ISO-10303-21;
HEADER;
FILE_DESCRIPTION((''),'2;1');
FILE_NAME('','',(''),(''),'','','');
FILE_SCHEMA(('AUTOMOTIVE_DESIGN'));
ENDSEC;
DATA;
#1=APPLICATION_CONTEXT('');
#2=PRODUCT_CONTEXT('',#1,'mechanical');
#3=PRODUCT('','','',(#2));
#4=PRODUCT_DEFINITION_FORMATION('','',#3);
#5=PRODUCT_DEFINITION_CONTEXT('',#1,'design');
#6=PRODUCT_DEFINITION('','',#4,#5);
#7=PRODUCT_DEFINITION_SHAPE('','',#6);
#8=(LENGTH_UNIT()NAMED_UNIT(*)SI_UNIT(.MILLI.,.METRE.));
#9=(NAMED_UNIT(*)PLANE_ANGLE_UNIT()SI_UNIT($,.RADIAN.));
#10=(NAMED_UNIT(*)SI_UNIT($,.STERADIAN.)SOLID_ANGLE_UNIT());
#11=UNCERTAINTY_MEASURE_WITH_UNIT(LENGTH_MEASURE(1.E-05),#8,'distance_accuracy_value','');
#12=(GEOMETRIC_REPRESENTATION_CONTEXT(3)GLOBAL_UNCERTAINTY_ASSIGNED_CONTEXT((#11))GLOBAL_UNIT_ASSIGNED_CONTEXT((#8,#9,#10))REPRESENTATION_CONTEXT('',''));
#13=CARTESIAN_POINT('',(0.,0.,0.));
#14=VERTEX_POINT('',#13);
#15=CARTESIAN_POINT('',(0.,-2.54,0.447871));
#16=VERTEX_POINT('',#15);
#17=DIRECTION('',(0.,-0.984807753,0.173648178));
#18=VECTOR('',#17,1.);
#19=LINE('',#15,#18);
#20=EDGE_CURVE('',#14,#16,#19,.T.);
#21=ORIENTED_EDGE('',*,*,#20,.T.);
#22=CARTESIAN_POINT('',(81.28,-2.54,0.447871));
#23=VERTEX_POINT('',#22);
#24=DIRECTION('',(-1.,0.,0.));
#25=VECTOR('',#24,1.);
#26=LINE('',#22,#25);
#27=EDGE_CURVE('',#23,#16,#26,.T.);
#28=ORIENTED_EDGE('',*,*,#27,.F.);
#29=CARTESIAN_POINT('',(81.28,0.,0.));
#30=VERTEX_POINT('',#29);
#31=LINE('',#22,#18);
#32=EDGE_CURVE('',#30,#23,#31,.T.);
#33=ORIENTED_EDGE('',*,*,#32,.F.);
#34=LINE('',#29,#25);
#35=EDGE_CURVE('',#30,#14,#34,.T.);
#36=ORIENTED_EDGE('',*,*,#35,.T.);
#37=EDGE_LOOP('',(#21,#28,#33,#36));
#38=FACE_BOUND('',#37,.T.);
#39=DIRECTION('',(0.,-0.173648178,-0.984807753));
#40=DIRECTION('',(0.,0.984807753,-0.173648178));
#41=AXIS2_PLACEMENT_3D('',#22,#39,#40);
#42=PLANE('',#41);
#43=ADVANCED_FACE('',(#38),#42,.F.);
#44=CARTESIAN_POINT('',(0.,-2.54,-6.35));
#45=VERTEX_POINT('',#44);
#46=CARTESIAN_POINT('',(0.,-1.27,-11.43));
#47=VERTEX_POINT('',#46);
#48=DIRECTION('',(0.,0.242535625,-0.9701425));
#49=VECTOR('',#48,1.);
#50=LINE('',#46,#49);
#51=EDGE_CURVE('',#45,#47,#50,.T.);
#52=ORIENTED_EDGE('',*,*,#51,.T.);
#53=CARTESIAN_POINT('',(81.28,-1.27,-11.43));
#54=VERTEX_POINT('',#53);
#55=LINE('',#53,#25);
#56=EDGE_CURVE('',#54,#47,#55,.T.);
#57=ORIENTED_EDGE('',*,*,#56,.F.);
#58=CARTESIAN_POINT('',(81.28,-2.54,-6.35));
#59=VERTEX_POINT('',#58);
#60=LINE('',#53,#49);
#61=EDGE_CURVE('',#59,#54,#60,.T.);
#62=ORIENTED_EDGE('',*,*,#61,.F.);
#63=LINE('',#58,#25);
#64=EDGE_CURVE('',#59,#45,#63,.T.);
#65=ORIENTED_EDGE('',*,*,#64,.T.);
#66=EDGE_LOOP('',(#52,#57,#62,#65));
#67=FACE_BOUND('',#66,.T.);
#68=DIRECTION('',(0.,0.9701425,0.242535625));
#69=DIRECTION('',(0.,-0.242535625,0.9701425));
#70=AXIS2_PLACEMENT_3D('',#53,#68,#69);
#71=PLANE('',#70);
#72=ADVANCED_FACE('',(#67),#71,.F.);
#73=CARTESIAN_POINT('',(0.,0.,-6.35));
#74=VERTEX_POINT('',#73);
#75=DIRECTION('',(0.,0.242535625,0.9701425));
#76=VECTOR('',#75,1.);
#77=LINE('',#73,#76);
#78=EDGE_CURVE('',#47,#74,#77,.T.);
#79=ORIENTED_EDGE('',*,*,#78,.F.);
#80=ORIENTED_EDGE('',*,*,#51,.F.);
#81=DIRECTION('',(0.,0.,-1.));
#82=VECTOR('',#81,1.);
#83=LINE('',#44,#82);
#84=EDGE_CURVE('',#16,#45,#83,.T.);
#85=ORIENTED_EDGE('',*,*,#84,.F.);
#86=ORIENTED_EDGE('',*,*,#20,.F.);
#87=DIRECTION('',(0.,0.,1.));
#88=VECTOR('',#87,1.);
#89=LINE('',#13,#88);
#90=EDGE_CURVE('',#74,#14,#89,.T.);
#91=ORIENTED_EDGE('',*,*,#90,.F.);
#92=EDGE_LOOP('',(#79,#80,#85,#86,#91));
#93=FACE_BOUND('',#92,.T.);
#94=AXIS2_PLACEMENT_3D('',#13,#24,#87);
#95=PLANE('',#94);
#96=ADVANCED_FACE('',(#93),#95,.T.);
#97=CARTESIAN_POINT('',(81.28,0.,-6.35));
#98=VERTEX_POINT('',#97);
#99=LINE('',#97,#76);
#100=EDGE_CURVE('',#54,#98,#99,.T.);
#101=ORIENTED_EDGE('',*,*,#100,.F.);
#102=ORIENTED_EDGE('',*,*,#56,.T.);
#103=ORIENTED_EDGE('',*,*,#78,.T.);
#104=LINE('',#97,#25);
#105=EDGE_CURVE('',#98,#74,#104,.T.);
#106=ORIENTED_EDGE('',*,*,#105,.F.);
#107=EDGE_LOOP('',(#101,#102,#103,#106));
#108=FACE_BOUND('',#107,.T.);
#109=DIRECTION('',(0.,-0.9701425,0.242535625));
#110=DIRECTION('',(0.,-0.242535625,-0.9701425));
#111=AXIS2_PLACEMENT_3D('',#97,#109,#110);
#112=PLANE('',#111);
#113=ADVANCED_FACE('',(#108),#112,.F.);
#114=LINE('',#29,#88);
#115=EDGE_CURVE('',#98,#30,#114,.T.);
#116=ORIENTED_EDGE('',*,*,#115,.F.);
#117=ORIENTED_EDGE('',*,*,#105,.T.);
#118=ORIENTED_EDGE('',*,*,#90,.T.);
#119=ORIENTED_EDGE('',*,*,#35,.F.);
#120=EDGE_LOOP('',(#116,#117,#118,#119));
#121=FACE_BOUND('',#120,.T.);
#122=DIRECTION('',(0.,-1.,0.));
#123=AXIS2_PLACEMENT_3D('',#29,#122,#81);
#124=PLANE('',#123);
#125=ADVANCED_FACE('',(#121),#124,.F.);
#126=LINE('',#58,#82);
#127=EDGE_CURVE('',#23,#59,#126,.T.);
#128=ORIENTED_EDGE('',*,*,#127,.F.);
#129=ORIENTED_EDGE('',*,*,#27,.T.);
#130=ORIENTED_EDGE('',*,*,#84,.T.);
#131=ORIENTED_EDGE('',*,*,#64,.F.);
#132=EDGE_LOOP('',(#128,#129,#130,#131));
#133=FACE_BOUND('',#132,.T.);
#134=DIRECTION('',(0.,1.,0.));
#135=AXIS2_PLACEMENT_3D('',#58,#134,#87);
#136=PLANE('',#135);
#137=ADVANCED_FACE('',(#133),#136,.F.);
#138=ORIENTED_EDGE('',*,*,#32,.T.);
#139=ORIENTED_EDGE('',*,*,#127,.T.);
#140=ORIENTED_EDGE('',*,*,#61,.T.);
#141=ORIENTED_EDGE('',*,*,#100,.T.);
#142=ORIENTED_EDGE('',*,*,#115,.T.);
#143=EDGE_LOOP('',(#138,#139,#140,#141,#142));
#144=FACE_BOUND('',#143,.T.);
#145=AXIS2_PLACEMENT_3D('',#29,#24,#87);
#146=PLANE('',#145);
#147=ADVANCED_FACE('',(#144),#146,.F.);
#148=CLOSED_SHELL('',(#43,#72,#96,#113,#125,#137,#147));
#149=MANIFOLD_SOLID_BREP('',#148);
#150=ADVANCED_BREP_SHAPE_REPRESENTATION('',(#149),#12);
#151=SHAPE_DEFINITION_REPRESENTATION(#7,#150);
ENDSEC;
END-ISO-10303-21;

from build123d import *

# Parameters (mm, degrees)
BOSS_EXTRUDE1_DEPTH = 81.28


with BuildPart() as part:
    # Sketch1 → Boss-Extrude1 (new body)
    with BuildSketch(Plane(origin=(0, 0, 0), x_dir=(0, 0, -1), z_dir=(1, 0, 0))):
        Polygon((0, 0), (6.35, 0), (11.43, -1.27), (6.35, -2.54), (-0.447870531, -2.54), align=None)
    extrude(amount=BOSS_EXTRUDE1_DEPTH)


solid = part.part
